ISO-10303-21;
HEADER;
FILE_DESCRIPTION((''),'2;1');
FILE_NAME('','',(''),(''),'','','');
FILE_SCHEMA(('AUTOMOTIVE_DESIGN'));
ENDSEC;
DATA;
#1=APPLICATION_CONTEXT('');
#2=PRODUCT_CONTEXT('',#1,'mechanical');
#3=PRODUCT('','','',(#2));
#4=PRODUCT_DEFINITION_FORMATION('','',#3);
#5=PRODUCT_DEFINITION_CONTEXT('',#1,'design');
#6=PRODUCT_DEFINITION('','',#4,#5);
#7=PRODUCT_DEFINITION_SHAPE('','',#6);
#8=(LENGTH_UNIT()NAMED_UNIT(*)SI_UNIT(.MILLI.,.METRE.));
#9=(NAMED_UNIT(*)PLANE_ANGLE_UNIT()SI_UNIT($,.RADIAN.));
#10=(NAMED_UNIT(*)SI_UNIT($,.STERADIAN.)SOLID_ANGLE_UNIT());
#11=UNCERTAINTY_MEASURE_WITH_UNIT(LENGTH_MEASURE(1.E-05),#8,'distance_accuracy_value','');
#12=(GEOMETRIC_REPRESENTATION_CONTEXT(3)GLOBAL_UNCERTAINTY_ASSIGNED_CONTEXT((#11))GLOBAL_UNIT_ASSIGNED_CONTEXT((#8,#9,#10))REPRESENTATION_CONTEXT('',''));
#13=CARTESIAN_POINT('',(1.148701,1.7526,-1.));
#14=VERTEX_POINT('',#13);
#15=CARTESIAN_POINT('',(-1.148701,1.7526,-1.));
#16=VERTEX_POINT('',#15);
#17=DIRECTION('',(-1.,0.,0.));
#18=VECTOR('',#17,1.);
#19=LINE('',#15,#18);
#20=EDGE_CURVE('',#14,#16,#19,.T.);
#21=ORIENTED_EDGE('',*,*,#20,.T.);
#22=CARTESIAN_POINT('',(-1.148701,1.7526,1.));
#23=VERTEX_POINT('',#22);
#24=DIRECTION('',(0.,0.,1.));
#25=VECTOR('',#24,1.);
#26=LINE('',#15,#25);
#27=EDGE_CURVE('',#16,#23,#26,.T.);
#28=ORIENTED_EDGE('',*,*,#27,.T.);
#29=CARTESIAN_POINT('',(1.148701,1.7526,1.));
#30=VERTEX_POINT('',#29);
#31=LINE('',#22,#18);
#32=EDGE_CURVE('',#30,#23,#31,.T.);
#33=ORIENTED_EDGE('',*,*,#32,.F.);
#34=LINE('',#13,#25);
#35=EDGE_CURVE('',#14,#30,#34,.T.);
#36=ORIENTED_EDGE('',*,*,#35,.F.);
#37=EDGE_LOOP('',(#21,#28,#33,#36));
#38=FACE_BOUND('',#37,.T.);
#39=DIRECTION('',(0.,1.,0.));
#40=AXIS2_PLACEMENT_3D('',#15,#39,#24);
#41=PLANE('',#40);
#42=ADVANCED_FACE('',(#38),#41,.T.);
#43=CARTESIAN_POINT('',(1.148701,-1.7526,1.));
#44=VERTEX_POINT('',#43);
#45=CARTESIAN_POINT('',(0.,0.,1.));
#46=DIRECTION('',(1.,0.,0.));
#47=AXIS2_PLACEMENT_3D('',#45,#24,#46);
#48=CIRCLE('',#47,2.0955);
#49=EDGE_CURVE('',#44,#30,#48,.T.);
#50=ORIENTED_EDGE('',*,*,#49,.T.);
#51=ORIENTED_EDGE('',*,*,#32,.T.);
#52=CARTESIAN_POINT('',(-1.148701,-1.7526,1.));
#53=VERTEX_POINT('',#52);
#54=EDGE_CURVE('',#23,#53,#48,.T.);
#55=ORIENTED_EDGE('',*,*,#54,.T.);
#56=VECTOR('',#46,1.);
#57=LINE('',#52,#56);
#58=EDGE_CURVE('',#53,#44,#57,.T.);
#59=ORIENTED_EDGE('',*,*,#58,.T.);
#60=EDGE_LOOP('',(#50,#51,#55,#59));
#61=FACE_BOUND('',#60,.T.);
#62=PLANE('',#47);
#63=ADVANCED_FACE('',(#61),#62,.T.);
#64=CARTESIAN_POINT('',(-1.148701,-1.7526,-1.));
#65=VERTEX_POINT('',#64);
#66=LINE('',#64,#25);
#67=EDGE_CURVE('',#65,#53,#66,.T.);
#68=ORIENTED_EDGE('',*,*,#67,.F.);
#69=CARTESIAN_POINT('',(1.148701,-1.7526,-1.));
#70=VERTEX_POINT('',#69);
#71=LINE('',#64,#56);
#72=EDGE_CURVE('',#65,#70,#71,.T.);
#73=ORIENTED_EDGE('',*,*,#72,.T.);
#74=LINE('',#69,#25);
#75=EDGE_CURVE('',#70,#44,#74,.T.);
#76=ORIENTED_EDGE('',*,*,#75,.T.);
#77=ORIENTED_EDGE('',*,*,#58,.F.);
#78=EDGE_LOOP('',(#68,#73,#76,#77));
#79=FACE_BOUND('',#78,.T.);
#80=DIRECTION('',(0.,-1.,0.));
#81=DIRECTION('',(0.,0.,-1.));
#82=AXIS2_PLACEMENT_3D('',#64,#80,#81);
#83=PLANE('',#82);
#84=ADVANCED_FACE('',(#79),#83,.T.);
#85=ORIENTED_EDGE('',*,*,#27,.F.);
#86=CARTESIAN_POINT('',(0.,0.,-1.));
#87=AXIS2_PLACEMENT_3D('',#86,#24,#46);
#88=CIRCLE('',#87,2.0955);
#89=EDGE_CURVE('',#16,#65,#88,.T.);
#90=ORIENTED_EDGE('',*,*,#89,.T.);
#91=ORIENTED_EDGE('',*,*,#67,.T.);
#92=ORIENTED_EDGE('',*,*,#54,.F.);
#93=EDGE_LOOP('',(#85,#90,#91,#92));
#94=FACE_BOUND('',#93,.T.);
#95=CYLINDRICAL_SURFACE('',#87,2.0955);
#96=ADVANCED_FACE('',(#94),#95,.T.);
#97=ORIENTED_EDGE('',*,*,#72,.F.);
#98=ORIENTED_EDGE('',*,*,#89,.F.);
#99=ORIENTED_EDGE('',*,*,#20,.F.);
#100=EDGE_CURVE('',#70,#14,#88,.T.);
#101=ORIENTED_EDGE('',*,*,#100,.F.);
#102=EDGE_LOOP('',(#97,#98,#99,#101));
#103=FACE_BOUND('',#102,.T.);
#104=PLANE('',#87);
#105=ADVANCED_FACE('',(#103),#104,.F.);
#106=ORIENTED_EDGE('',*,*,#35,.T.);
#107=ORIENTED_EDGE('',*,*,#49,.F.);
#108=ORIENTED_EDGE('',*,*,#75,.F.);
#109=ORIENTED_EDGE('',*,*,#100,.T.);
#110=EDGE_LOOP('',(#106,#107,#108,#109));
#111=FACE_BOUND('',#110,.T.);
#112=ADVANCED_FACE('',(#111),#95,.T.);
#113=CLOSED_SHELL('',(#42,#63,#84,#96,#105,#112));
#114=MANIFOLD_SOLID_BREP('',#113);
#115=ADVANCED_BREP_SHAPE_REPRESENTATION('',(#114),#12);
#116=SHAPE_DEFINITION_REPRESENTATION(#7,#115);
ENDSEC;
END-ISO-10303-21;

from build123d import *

# Parameters (mm, degrees)
BOSS_EXTRUDE1_DEPTH      = 1
BOSS_EXTRUDE1_DEPTH_BACK = 1


with BuildPart() as part:
    # Sketch1 → Boss-Extrude1 (new, two sides: drawn at the far end of the back side and taken through both)
    with BuildSketch(Plane.XY.offset(-BOSS_EXTRUDE1_DEPTH_BACK)):
        with BuildLine():
            Line((-1.148700783, 1.7526), (1.148700783, 1.7526))
            ThreePointArc((1.148700783, 1.7526), (2.0955, 0), (1.148700783, -1.7526))
            Line((1.148700783, -1.7526), (-1.148700783, -1.7526))
            ThreePointArc((-1.148700783, -1.7526), (-2.0955, 0), (-1.148700783, 1.7526))
        make_face()
    extrude(amount=BOSS_EXTRUDE1_DEPTH + BOSS_EXTRUDE1_DEPTH_BACK)


solid = part.part
